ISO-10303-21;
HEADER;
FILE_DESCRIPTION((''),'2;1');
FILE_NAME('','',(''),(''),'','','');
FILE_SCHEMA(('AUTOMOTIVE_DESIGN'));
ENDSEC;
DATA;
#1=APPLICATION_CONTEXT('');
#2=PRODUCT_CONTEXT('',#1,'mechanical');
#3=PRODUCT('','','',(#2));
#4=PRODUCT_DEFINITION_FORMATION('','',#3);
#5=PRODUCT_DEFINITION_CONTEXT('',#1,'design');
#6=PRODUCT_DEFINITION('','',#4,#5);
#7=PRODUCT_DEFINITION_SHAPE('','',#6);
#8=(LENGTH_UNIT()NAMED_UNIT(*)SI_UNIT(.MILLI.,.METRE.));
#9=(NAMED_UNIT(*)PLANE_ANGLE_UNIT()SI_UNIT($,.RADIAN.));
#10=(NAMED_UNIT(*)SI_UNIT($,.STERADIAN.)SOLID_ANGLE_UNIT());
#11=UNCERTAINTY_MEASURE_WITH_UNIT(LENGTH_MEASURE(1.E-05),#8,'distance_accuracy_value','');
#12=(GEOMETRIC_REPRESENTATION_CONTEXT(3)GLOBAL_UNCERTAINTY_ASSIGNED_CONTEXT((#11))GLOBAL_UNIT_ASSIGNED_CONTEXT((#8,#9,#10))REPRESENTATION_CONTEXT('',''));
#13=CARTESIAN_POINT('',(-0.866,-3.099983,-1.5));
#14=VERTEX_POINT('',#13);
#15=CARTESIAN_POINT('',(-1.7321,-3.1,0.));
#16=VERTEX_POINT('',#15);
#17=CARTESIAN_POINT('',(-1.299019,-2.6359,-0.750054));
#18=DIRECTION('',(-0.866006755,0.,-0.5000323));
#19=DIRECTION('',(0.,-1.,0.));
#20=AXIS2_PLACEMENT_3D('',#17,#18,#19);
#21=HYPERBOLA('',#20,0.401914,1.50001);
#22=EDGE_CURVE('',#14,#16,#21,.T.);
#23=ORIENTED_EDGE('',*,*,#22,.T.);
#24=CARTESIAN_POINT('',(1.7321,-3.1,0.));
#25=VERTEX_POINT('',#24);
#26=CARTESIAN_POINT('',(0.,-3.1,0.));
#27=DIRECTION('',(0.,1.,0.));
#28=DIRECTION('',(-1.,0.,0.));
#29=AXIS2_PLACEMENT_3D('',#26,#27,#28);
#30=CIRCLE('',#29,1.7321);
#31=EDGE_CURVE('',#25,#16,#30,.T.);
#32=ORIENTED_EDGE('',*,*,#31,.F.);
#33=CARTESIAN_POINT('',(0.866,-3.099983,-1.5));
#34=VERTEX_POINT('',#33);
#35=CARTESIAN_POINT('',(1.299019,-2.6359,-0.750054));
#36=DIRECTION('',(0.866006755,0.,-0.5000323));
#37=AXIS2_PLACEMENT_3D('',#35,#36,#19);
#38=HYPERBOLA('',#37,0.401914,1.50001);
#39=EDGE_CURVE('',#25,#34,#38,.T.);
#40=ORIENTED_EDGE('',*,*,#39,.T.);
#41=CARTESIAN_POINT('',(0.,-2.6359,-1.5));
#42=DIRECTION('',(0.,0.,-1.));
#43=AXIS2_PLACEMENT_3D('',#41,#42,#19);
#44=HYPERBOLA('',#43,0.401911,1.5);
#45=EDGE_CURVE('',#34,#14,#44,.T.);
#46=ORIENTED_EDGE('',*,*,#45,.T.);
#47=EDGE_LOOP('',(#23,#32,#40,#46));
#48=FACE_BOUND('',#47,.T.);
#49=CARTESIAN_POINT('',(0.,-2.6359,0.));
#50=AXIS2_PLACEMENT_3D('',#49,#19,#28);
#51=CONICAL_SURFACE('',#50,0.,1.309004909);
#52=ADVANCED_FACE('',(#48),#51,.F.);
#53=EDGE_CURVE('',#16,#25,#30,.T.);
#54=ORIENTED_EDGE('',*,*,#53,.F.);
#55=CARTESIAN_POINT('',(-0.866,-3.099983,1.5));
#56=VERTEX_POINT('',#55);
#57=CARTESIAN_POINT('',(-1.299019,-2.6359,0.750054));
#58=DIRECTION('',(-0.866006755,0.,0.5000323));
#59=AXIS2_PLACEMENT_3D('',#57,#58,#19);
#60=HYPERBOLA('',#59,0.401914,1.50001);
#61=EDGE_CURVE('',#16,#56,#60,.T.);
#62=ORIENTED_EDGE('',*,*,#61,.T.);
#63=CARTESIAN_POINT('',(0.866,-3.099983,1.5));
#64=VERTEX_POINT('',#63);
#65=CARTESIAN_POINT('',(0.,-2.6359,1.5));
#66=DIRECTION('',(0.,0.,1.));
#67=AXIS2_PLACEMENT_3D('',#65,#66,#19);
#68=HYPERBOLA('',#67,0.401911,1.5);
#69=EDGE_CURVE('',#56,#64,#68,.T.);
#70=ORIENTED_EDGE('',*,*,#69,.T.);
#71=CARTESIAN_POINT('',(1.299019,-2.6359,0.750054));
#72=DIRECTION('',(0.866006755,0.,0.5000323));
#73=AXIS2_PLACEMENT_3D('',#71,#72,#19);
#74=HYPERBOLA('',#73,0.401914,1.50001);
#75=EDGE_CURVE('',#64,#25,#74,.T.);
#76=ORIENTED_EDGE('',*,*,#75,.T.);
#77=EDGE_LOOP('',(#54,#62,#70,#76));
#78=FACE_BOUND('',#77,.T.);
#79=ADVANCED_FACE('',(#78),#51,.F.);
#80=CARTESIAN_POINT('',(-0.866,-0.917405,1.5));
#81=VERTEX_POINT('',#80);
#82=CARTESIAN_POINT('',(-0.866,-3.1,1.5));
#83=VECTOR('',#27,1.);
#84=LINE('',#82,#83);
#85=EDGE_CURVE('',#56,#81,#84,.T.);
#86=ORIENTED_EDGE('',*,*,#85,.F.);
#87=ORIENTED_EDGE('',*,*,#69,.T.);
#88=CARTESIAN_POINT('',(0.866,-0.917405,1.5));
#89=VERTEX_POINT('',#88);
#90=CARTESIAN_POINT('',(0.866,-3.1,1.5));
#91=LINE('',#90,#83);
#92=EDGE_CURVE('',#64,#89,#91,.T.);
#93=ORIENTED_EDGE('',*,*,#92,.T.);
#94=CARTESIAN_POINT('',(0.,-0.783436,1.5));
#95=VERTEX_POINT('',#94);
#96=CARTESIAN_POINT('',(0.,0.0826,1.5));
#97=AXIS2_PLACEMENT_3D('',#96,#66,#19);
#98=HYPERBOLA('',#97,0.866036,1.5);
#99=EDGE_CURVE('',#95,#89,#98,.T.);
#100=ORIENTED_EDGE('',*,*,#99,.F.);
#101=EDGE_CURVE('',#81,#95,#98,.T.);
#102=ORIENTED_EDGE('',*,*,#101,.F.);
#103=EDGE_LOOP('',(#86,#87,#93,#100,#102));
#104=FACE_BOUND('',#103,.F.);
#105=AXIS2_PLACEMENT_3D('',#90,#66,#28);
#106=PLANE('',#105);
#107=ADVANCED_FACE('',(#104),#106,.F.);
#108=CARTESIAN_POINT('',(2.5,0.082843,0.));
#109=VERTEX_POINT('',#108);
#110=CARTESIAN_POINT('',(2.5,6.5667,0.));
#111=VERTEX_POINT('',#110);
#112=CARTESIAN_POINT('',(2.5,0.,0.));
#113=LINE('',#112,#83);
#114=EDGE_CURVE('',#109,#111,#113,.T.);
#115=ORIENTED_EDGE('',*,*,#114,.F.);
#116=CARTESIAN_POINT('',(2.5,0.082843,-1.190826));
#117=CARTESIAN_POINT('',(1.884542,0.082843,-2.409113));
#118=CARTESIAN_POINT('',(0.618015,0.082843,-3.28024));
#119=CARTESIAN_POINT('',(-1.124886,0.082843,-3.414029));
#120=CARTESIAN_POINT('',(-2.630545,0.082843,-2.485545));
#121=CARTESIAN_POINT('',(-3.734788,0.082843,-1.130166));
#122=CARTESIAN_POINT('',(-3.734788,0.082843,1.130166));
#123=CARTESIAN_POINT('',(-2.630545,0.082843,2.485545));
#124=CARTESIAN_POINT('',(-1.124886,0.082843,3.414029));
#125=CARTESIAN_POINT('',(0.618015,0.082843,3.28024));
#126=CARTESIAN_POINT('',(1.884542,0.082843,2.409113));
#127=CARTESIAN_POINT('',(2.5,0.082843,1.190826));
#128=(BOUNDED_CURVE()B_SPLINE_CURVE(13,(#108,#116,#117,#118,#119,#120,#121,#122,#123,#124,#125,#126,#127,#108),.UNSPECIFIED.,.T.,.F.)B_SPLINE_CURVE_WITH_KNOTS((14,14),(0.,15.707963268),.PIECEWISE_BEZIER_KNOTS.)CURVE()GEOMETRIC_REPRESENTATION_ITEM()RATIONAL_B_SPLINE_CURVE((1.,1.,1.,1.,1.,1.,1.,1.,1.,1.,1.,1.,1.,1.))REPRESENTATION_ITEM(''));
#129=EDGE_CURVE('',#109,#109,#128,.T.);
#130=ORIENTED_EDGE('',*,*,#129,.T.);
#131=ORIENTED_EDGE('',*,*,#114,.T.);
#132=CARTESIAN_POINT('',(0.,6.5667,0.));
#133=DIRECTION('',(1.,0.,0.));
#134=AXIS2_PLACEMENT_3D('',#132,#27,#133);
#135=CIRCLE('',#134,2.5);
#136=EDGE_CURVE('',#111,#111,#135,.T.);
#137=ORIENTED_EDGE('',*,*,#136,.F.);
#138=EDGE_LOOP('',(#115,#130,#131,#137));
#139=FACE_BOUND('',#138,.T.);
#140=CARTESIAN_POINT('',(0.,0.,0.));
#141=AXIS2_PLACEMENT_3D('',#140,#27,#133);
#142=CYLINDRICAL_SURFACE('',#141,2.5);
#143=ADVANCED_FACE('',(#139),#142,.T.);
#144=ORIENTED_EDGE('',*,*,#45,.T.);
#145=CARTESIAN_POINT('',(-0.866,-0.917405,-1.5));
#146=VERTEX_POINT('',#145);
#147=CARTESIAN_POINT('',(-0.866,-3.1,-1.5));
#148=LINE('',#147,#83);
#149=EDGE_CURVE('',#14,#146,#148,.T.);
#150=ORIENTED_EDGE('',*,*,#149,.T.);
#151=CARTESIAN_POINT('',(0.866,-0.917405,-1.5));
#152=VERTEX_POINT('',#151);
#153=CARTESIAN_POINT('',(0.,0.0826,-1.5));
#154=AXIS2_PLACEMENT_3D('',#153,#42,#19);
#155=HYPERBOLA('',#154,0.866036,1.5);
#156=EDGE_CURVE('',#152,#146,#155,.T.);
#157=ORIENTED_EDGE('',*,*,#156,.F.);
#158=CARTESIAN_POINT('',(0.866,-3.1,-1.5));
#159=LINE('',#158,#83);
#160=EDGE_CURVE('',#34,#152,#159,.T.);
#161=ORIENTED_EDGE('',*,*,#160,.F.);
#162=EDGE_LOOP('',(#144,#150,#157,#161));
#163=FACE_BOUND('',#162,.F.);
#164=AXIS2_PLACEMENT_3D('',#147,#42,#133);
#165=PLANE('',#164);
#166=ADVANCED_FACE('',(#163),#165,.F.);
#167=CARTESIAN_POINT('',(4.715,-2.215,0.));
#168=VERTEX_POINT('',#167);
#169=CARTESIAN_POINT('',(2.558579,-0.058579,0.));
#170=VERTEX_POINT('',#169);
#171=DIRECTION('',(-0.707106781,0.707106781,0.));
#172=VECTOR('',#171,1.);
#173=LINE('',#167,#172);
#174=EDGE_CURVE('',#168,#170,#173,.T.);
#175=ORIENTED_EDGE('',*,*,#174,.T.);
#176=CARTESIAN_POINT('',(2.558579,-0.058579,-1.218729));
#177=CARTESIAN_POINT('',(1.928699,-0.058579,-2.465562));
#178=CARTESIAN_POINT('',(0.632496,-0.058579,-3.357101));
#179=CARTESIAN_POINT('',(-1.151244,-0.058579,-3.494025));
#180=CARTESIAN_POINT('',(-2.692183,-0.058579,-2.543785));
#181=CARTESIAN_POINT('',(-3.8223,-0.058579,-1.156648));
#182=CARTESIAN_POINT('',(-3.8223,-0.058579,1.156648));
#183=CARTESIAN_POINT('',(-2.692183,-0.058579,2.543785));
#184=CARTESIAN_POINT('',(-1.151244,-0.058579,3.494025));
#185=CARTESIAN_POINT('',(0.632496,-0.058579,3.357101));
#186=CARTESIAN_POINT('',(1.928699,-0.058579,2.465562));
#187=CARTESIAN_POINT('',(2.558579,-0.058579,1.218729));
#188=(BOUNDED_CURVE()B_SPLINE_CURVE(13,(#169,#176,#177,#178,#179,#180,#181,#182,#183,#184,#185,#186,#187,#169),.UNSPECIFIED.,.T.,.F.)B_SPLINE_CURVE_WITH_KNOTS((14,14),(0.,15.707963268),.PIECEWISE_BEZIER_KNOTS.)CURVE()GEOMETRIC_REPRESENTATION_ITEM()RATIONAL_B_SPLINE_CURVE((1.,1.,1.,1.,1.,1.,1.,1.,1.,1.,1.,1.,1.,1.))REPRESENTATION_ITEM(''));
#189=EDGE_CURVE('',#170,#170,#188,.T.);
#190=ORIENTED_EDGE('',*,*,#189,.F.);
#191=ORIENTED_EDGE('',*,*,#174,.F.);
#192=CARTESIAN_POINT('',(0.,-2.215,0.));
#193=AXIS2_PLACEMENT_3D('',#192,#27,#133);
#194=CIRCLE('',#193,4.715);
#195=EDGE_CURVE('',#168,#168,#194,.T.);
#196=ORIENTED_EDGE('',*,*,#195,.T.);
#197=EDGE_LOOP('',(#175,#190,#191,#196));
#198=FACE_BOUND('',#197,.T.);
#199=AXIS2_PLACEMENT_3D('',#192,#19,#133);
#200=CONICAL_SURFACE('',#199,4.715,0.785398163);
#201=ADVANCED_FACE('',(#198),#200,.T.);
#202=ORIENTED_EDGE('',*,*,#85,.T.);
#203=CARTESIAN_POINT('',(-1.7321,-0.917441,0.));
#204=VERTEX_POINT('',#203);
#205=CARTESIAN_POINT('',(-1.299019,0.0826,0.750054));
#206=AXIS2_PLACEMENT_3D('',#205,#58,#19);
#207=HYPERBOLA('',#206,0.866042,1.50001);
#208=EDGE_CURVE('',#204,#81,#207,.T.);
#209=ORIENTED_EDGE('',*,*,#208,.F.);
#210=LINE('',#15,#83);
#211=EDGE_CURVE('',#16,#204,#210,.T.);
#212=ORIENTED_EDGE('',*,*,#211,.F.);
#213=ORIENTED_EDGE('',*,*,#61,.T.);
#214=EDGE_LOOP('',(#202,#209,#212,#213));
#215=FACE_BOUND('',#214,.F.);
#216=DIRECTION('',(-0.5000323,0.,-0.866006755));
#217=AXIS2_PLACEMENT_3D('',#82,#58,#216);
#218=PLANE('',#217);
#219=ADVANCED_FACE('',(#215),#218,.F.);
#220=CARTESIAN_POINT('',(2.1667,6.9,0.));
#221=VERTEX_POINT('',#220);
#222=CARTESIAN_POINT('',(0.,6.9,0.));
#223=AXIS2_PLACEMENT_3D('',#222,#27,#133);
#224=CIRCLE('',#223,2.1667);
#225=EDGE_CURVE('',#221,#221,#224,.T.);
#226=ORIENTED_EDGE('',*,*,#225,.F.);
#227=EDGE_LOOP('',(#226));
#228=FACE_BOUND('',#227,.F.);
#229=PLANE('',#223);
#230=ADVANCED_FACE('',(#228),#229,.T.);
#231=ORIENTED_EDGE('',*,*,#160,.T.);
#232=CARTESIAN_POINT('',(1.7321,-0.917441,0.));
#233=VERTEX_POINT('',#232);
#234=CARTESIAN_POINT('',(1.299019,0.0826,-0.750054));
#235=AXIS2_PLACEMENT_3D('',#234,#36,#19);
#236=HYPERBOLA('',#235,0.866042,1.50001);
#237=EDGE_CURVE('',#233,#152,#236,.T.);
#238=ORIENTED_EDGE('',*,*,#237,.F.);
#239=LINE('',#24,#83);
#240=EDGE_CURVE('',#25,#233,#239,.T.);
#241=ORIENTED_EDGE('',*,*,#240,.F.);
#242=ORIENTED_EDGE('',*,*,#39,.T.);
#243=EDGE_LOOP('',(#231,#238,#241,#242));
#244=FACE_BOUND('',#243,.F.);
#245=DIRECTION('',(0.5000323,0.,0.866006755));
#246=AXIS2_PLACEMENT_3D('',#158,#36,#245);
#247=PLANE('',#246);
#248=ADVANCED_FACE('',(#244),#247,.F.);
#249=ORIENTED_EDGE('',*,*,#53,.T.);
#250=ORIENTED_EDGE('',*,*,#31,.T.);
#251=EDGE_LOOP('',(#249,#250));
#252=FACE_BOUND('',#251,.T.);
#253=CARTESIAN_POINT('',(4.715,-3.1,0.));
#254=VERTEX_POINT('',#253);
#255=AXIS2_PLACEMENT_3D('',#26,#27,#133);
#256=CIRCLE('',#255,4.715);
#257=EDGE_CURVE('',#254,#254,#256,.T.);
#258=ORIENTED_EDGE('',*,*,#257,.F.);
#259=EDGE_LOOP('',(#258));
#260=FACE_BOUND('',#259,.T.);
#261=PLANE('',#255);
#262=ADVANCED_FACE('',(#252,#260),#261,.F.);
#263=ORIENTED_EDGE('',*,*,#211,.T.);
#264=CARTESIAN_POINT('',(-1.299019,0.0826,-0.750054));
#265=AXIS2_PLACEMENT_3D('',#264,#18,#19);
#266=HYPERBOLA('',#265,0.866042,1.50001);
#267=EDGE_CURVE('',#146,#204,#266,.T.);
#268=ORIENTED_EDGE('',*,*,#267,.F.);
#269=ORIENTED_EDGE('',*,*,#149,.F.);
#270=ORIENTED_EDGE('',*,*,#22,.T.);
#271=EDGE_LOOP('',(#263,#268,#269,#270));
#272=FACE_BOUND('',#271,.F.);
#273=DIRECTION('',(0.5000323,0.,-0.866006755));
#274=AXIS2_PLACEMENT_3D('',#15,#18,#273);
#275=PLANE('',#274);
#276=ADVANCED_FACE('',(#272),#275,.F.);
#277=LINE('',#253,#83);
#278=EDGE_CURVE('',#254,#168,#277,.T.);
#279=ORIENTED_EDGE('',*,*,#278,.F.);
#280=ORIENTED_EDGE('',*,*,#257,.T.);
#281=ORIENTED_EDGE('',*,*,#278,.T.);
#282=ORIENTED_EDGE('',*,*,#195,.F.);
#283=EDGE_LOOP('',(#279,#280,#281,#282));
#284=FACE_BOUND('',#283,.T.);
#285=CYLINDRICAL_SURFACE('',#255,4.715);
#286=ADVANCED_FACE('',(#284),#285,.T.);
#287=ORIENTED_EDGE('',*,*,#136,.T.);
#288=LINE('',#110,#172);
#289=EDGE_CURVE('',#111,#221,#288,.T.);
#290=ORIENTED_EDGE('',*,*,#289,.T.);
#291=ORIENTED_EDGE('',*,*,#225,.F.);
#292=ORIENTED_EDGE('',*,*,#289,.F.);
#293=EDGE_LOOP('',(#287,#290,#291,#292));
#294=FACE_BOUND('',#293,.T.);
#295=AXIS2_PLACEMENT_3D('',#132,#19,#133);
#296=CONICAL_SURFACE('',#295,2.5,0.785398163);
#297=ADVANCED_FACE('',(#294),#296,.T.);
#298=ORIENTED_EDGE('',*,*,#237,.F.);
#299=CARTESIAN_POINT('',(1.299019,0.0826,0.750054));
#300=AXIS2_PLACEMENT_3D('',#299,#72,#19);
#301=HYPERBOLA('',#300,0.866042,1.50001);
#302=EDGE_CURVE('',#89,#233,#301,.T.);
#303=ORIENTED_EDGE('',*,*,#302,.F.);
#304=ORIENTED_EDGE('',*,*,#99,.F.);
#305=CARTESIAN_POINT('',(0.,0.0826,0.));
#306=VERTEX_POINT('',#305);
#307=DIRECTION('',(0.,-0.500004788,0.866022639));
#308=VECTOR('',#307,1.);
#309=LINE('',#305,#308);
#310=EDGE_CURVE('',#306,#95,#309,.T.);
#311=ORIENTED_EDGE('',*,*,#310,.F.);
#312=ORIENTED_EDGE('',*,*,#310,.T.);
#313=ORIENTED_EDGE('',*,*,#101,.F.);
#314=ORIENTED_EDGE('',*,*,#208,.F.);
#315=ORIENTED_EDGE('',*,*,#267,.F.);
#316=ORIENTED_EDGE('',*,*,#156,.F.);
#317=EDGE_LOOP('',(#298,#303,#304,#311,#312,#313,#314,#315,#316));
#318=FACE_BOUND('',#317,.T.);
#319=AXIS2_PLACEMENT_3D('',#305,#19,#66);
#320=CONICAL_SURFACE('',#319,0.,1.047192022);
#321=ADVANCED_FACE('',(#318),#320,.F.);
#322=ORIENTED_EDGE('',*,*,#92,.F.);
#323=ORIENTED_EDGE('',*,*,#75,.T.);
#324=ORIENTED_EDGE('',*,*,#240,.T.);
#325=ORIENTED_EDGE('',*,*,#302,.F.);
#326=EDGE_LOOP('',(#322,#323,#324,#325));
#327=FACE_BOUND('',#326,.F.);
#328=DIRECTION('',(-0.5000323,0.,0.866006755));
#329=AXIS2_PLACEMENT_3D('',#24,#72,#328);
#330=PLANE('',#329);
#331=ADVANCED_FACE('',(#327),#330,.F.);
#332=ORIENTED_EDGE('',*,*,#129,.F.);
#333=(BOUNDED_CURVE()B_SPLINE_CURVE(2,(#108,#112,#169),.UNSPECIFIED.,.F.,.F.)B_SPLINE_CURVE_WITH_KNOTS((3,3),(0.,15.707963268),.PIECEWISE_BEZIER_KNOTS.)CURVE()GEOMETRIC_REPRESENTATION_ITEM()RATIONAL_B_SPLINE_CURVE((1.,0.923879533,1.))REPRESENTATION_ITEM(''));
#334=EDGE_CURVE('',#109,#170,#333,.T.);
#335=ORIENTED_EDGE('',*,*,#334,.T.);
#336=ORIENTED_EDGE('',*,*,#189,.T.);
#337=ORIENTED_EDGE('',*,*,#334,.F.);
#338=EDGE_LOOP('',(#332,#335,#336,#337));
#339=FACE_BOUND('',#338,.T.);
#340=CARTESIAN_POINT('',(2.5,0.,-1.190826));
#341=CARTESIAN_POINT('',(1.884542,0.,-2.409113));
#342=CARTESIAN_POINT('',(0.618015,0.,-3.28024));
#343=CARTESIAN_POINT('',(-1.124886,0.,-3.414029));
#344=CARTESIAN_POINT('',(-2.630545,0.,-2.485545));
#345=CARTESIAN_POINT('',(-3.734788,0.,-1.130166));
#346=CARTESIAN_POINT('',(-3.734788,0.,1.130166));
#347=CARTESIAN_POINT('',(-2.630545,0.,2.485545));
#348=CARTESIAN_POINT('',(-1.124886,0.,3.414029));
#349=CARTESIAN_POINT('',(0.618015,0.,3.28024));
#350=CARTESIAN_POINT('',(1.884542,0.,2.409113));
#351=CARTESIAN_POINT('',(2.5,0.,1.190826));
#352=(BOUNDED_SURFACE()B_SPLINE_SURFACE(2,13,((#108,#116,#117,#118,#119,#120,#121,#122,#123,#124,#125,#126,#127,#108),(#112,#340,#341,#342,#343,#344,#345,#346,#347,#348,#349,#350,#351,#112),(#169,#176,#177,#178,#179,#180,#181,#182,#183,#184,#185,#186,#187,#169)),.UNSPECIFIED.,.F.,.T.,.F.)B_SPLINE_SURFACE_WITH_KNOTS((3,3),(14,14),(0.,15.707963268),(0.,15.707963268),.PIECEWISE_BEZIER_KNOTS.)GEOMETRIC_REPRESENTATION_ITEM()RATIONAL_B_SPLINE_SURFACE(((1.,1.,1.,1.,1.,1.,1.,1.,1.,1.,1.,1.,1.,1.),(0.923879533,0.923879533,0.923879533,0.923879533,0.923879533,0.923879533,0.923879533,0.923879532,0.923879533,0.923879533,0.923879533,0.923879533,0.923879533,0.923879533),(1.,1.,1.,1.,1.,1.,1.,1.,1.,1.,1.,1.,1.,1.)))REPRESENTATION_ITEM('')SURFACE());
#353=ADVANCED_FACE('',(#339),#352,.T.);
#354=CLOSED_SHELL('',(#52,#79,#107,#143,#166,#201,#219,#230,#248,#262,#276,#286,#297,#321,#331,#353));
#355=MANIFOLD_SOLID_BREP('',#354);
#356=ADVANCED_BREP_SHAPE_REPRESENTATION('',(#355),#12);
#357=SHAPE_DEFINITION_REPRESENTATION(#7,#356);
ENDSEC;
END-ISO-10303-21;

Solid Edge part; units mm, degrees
sketch "Sketch1" plane through (0, 0, 0) normal (0, 0, 1) x (1, 0, 0)
  line L0 (2.5, 0) -> (2.5, 6.9)
  line L1 (0, 6.9) -> (2.5, 6.9)
  line L2 (0, 0) -> (0, 6.9)
  line L3 (0, 0) -> (0, -3.1)
  line L4 (0, -3.1) -> (4.715, -3.1)
  line L5 (4.715, -3.1) -> (4.715, -2.215)
  line L6 (4.715, -2.215) -> (2.5, 0)
revolve "RevolvedProtrusion1" add sketch "Sketch1" angle 360 about axis through (0, 0, 0) along (0, 1, 0)
sketch "Sketch2" plane through (0, 0, 0) normal (1, 0, 0) x (0, 1, 0)
  line L0 (-3.1, 2.2215) -> (-1.2, 2.2215)
  line L1 (0.0826, 0) -> (-1.2, 2.2215)
  line L2 (-3.1, 0) -> (0.0826, 0)
  line L3 (-3.1, 0) -> (-3.1, 2.2215)
revolve "RevolvedCutout1" cut sketch "Sketch2" angle 360 about axis through (0, -4.5, 0) along (0, 1, 0)
sketch "Sketch3" plane through (0, -3.1, 0) normal (0, -1, 0) x (0, 0, 1)
  circle A0 centre (0, 0) radius 2.2215
  line L0 (-1.5, -0.866) -> (0, -1.7321)
  line L1 (0, -1.7321) -> (1.5, -0.866)
  line L2 (1.5, -0.866) -> (1.5, 0.866)
  line L3 (1.5, 0.866) -> (0, 1.7321)
  line L4 (0, 1.7321) -> (-1.5, 0.866)
  line L5 (-1.5, 0.866) -> (-1.5, -0.866)
  dimension "D1" = 3
extrude "Protrusion1" add sketch "Sketch3" against normal up to next
sketch "Sketch4" plane through (0, 0, 0) normal (0, 0, 1) x (1, 0, 0)
  line L0 (-1.7321, -3.1) -> (0, -3.1)
  line L1 (0, -3.1) -> (0, -2.6359)
  line L2 (0, -2.6359) -> (-1.7321, -3.1)
revolve "RevolvedCutout2" cut sketch "Sketch4" angle 360 about axis through (0, -4.5, 0) along (0, 1, 0)
fillet "Round1" radius 0.2 1 edges at (0, 0, -2.5)
chamfer "倒斜角_2" distance 0.3333 angle 45 1 edges at (0, 6.9, -2.5)
cosmetic_thread "Thread1" size "M5"
properties part number "N2611-0314" material "铝 1060"
